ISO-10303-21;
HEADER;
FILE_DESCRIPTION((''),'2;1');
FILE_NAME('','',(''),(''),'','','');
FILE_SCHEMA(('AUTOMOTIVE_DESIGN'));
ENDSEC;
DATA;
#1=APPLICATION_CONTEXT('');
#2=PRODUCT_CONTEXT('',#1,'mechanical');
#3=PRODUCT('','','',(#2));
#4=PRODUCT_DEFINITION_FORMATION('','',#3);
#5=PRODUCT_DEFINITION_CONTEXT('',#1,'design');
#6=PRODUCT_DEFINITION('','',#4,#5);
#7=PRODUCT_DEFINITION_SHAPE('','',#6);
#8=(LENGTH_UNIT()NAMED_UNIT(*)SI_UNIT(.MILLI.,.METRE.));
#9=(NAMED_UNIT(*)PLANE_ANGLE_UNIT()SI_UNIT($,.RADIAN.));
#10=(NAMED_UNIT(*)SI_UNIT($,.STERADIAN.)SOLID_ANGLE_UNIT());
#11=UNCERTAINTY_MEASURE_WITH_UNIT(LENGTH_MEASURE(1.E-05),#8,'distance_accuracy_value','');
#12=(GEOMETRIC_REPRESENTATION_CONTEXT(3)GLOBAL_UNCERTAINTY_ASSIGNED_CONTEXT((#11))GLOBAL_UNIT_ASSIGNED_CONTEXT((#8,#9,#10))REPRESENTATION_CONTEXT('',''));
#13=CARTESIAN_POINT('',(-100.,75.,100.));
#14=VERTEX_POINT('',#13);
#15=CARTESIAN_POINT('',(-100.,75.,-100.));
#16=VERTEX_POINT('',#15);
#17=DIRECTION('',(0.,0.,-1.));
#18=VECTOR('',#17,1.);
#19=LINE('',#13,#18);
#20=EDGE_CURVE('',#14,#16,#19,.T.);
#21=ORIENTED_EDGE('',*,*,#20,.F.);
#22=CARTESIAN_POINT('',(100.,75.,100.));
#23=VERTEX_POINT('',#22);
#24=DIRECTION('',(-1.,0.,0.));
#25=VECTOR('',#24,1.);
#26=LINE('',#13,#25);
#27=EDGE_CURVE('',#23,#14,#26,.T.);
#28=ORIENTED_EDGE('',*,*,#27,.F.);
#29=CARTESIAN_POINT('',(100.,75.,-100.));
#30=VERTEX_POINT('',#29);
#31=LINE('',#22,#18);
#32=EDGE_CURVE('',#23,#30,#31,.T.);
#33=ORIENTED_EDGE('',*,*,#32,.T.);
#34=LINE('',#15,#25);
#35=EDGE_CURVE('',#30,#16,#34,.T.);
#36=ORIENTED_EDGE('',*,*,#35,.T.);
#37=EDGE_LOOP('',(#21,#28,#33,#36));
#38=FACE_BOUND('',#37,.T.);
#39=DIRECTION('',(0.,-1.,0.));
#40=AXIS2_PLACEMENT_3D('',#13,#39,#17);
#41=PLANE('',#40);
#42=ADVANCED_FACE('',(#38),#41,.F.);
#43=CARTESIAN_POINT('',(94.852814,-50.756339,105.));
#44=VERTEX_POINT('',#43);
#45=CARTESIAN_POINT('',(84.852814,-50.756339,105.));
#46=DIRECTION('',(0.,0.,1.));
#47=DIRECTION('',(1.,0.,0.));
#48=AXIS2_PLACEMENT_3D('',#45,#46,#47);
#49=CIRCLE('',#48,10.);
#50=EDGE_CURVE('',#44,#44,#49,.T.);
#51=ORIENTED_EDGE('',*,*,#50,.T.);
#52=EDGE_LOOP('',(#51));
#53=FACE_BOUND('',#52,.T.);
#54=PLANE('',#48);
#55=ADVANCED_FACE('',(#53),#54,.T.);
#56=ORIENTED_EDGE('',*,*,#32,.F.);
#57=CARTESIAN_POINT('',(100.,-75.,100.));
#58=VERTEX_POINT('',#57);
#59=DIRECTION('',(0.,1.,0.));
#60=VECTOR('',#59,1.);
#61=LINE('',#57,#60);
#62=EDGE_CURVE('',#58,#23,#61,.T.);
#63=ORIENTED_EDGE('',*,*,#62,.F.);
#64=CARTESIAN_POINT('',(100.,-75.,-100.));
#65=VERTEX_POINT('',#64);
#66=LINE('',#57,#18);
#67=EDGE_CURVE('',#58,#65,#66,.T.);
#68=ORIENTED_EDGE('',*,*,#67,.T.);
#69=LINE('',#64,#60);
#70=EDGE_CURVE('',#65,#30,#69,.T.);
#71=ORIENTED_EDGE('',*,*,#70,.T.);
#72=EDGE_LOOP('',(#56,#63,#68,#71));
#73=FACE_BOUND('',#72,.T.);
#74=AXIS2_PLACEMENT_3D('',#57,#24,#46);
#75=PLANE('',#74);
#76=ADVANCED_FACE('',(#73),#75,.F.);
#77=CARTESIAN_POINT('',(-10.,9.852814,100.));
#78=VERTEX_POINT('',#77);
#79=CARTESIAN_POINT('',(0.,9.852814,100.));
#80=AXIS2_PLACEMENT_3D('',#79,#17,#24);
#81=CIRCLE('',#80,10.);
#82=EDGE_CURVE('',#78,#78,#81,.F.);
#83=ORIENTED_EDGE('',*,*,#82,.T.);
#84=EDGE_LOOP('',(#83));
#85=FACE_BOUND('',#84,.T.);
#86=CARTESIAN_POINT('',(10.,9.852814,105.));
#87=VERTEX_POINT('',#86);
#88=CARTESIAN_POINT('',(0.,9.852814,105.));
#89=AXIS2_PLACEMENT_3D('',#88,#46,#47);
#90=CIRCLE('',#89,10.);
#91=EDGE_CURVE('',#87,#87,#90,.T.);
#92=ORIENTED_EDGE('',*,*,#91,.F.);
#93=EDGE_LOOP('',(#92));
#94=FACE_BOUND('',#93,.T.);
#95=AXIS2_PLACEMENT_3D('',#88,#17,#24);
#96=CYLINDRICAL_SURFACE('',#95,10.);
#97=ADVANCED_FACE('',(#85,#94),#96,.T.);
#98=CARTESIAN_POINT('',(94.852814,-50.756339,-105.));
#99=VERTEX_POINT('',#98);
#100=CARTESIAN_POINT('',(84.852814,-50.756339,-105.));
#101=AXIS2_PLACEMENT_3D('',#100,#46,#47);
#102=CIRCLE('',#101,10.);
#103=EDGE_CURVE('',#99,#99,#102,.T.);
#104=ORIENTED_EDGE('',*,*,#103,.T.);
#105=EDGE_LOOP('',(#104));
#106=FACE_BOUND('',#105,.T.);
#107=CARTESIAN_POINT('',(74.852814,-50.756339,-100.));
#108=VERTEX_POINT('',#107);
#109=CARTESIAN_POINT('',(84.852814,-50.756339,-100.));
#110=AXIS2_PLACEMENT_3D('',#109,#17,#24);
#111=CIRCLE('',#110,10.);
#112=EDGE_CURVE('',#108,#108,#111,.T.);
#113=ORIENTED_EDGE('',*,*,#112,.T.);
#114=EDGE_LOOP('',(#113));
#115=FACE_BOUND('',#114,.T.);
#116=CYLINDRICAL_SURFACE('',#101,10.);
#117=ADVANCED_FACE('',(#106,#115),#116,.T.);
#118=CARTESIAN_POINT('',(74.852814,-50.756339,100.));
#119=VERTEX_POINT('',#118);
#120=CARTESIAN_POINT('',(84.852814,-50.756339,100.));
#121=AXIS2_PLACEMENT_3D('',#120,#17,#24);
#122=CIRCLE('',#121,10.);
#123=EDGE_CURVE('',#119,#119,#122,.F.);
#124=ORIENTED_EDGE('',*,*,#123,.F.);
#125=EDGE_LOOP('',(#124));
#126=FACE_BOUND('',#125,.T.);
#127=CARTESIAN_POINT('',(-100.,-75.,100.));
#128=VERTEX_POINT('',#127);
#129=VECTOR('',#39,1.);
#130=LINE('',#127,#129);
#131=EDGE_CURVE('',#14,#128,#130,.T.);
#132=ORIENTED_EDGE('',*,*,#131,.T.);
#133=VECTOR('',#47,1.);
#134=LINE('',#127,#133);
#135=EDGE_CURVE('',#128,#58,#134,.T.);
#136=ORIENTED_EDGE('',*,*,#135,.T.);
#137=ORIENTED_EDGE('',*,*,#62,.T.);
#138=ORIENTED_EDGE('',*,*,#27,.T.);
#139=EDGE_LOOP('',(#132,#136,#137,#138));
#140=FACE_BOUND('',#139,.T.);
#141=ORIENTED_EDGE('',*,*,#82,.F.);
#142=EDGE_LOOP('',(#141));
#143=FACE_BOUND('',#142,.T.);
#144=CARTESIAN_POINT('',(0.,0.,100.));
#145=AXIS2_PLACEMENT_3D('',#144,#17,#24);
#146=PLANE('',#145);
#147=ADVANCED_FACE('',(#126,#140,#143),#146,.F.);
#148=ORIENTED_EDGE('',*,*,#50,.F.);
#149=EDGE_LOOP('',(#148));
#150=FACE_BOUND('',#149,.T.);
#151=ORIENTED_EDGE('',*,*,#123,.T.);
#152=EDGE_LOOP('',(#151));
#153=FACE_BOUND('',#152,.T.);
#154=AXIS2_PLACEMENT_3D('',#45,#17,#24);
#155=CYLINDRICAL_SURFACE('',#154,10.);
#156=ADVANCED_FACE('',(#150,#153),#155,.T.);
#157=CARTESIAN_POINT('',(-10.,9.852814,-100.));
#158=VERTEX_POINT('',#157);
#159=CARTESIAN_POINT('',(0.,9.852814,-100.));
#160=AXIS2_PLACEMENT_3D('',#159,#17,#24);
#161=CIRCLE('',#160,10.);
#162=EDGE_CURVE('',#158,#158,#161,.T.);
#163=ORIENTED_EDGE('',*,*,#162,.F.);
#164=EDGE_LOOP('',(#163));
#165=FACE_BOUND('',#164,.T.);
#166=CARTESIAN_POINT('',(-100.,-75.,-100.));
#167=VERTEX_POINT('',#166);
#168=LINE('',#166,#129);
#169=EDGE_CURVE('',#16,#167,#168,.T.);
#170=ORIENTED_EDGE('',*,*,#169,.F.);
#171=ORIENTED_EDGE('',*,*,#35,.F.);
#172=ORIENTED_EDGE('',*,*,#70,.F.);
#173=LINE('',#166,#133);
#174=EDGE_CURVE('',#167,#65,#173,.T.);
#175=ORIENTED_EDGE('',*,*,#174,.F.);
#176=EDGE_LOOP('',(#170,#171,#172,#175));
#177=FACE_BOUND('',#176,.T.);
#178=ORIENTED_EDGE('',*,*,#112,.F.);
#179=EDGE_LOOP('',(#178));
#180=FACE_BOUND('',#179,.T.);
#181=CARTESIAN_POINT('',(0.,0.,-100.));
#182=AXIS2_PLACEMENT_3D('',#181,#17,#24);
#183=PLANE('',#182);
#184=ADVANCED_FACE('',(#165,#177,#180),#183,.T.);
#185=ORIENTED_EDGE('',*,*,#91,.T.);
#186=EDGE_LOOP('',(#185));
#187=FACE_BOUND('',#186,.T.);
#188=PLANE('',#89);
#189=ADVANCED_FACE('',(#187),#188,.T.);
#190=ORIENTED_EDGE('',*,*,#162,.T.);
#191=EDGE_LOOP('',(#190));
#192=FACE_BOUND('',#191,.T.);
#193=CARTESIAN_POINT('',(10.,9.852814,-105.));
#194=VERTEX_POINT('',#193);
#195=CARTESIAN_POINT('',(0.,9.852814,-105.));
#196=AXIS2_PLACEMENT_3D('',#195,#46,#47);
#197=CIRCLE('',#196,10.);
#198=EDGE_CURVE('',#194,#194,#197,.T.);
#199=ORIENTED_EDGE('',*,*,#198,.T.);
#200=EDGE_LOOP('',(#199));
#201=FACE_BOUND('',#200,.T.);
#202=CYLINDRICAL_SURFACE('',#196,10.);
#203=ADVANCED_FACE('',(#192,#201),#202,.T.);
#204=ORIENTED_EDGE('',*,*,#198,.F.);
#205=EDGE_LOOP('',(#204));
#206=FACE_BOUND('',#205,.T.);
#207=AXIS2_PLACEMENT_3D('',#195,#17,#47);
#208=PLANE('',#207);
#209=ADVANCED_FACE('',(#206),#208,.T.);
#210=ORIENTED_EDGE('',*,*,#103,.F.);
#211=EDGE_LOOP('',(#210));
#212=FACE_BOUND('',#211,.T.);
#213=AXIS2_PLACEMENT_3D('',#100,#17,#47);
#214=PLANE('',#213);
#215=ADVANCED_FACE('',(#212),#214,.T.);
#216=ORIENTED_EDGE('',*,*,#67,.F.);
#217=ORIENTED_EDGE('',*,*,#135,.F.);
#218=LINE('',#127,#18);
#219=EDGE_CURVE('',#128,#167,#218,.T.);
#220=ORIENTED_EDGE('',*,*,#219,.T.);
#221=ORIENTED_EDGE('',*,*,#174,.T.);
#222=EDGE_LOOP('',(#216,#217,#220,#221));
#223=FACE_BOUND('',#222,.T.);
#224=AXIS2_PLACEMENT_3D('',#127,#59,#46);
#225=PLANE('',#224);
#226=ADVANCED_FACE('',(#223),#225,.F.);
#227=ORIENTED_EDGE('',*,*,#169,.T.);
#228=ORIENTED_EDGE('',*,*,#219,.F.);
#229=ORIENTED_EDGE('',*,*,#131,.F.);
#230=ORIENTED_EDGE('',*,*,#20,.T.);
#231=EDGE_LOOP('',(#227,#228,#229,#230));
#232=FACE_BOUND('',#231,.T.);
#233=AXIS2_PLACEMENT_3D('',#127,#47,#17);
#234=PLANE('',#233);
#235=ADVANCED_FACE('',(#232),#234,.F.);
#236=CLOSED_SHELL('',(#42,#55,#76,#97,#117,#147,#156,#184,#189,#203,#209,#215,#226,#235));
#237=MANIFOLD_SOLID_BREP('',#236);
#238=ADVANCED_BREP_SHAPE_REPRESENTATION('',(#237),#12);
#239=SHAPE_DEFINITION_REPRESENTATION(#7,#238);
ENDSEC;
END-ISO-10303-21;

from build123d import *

# Parameters (mm, degrees)
SKETCH_1_W      = 200
SKETCH_1_H      = 150
EXTRUDE_1_DEPTH = 100
SKETCH_2_R      = 10
EXTRUDE_2_DEPTH = 5


with BuildPart() as part:
    # 草图1 → 凸台-拉伸1 (new, symmetric)
    with BuildSketch(Plane.XY):
        Rectangle(SKETCH_1_W, SKETCH_1_H)
    extrude(amount=EXTRUDE_1_DEPTH, both=True)

    # 草图2 → 凸台-拉伸2 (add)
    with BuildSketch(Plane.XY.offset(100)):
        with Locations(Location((0, 9.852813742, 0), (0, 0, 180))):
            Circle(SKETCH_2_R)
        with Locations(Location((84.852813742, -50.756338931, 0), (0, 0, 180))):
            Circle(SKETCH_2_R)
    extrude_2 = extrude(amount=EXTRUDE_2_DEPTH)

    # 镜向1: 凸台-拉伸2 across plane
    add(extrude_2.mirror(Plane.XY))


solid = part.part
